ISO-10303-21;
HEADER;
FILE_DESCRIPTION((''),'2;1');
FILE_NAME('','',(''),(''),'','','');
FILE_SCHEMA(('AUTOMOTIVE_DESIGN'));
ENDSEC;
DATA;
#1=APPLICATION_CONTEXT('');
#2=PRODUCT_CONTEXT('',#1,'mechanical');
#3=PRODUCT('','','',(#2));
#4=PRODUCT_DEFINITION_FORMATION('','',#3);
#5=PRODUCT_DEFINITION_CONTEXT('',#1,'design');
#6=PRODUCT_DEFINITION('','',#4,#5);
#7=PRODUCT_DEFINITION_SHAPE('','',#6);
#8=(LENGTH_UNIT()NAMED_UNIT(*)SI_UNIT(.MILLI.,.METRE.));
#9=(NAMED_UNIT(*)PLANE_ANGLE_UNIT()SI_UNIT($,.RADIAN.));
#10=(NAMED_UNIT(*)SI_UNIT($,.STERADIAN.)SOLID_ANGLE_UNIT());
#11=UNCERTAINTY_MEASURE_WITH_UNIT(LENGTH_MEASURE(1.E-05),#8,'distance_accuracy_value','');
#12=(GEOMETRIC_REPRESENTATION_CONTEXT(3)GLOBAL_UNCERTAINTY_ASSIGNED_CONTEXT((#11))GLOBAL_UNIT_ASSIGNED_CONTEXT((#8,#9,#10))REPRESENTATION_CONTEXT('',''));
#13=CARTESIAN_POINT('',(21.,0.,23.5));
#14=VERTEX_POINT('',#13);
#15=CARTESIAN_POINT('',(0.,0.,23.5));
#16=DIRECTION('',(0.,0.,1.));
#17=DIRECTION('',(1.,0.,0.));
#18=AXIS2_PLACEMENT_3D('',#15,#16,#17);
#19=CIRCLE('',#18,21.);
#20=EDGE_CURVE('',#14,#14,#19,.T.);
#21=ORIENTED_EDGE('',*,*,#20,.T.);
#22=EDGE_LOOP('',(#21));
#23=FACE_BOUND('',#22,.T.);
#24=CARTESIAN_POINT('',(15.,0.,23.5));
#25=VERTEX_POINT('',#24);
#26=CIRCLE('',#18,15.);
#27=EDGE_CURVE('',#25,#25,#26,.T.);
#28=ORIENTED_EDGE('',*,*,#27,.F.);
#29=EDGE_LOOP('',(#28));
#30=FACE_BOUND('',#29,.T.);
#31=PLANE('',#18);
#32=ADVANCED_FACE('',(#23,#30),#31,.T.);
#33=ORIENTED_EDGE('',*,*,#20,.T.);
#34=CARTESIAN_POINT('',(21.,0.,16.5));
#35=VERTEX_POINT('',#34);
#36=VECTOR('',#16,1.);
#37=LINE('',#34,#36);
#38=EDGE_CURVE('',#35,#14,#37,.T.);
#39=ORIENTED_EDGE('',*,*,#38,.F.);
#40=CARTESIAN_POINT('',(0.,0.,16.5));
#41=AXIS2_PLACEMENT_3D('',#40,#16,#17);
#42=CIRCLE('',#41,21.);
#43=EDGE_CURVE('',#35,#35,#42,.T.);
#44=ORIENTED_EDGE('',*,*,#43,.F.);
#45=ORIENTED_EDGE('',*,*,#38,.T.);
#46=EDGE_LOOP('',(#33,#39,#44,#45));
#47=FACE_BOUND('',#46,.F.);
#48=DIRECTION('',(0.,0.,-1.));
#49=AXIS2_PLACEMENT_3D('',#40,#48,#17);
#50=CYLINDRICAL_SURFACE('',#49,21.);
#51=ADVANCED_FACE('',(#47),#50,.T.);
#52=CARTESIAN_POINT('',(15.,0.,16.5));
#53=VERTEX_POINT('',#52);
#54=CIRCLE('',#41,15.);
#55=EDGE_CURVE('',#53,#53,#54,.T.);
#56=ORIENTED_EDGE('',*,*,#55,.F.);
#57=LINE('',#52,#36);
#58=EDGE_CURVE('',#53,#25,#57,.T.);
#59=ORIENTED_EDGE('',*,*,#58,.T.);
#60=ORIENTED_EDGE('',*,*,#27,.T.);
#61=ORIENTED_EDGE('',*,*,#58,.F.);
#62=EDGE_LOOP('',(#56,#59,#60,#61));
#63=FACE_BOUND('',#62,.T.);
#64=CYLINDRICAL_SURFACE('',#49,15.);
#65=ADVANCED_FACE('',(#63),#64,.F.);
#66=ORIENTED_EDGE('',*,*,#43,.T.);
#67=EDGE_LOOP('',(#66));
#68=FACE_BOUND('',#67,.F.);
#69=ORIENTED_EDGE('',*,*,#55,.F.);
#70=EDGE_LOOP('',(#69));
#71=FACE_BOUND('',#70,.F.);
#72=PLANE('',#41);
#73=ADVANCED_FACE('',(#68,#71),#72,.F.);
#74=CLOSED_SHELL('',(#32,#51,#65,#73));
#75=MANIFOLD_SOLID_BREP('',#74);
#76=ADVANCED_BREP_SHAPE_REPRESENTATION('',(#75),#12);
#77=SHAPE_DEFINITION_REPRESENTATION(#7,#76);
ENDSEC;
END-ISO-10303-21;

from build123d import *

# Parameters (mm, degrees)
CYLINDER013_R     = 15
CYLINDER013_DEPTH = 7
CYLINDER012_R     = 21
CYLINDER012_DEPTH = 7


with BuildPart() as bearing_inner:
    # Cylinder013 → Cylinder013 (new body)
    with BuildSketch(Plane.XY):
        Circle(CYLINDER013_R)
    extrude(amount=CYLINDER013_DEPTH)


with BuildPart() as bearing:
    # Cylinder012 → Cylinder012 (new body)
    with BuildSketch(Plane.XY):
        Circle(CYLINDER012_R)
    extrude(amount=CYLINDER012_DEPTH)

    # Cut001: cut bearing inner
    add(bearing_inner.part, mode=Mode.SUBTRACT)


with BuildPart() as bearing_1:
    # Cut001 placement: moved
    add(bearing.part.moved(Location((0, 0, 16.5))))


solid = bearing_1.part
